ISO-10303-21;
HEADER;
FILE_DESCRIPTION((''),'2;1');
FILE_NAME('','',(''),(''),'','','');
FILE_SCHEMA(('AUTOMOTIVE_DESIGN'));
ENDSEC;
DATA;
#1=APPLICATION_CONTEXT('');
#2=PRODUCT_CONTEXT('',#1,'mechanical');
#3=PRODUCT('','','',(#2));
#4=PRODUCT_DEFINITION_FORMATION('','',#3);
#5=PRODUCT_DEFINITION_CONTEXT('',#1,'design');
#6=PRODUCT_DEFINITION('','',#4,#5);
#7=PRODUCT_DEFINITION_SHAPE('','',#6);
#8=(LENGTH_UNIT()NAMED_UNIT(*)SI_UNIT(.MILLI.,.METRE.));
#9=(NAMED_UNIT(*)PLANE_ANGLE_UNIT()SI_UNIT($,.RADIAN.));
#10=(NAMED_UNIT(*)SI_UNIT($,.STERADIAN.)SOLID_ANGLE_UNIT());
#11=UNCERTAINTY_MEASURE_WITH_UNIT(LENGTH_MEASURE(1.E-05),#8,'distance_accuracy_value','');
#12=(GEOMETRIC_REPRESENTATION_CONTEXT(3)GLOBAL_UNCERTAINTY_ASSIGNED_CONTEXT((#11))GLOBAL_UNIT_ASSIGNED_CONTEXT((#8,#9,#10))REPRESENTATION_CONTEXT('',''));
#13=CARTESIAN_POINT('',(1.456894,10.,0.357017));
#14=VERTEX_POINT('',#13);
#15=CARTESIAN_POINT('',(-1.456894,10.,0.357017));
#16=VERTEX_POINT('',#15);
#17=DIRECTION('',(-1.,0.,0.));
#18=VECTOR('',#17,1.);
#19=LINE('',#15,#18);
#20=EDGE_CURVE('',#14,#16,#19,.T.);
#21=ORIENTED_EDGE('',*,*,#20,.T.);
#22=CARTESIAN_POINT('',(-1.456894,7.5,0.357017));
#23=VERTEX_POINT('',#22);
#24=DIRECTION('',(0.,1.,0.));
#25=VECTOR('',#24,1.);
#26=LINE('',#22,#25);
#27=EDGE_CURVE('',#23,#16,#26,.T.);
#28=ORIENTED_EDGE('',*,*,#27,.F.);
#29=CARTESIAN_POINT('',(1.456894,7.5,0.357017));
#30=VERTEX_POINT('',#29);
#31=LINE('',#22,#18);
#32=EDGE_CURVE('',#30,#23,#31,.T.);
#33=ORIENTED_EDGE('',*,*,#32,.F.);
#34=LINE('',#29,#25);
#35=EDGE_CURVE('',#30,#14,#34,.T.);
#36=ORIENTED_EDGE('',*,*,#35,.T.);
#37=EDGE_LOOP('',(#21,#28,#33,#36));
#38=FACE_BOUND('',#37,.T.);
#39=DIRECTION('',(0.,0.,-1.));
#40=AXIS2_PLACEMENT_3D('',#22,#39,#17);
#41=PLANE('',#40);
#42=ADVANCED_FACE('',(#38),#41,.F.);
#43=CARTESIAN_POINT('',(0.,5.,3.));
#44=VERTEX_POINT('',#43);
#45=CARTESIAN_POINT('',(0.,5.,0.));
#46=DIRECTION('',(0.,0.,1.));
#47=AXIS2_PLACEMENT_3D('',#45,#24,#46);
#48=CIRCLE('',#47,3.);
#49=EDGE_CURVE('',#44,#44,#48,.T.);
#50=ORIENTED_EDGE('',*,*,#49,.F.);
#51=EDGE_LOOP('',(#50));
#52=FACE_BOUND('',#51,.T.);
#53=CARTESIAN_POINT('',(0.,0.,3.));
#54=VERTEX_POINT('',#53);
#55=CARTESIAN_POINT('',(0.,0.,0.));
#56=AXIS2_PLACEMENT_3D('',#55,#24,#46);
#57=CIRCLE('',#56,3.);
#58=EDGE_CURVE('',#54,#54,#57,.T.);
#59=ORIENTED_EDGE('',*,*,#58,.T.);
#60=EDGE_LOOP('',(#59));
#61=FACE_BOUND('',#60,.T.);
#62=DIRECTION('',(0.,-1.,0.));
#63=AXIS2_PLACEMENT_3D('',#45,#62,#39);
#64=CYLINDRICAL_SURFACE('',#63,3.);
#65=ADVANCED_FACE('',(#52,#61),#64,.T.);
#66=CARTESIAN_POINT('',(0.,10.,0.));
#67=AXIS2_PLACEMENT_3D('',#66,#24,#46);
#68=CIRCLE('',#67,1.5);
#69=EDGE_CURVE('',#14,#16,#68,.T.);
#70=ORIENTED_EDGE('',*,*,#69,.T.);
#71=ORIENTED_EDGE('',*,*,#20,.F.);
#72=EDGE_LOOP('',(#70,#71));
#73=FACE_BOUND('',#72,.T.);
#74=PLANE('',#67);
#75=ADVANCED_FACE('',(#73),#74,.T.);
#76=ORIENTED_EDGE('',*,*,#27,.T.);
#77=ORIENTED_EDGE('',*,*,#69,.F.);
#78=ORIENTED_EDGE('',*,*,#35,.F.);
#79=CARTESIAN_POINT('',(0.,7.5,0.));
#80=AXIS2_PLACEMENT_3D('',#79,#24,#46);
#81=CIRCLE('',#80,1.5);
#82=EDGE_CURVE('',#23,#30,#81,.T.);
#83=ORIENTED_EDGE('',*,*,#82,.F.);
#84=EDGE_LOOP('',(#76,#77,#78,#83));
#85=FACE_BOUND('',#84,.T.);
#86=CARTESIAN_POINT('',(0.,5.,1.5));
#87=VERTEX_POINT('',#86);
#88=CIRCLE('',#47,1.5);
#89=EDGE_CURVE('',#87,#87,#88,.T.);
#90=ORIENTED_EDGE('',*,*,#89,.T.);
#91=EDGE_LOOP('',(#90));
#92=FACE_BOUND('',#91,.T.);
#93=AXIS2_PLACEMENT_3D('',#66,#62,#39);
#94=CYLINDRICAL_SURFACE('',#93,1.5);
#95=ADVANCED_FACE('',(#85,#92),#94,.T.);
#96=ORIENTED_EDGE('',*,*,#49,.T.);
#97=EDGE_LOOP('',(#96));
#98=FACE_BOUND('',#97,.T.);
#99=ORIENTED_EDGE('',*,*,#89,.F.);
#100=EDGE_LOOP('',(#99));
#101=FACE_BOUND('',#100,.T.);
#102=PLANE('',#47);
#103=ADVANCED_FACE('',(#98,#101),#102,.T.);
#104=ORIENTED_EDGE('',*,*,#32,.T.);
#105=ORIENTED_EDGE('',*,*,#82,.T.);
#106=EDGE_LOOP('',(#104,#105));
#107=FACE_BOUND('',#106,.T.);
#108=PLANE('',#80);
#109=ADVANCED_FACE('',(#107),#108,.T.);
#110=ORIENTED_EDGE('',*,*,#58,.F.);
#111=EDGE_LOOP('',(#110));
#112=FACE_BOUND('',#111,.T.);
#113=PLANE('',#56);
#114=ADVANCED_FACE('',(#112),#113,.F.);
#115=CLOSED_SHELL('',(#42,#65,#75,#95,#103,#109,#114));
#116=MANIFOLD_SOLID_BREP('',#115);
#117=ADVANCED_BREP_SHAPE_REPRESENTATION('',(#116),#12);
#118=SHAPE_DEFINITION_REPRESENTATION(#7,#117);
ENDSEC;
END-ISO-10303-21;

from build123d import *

# Parameters (mm, degrees)
SKETCH2_R           = 3
BOSS_EXTRUDE1_DEPTH = 5
SKETCH3_R           = 1.5
BOSS_EXTRUDE2_DEPTH = 5
CUT_EXTRUDE1_START  = -2.5
CUT_EXTRUDE1_DEPTH  = 2.5


with BuildPart() as part:
    # Sketch2 → Boss-Extrude1 (new body)
    with BuildSketch(Plane(origin=(0, 0, 0), x_dir=(1, 0, 0), z_dir=(0, 1, 0))):
        with Locations(Location((0, 0, 0), (0, 0, 270))):
            Circle(SKETCH2_R)
    extrude(amount=BOSS_EXTRUDE1_DEPTH)

    # Sketch3 → Boss-Extrude2 (add)
    with BuildSketch(Plane(origin=(0, 5, 0), x_dir=(1, 0, 0), z_dir=(0, 1, 0))):
        with Locations(Location((0, 0, 0), (0, 0, 270))):
            Circle(SKETCH3_R)
    extrude(amount=BOSS_EXTRUDE2_DEPTH)

    # Sketch4 → Cut-Extrude1 (cut)
    with BuildSketch(Plane(origin=(0, 10, 0), x_dir=(1, 0, 0), z_dir=(0, 1, 0)).offset(CUT_EXTRUDE1_START)):
        with BuildLine():
            Line((-1.456893676, -0.357016549), (1.456893676, -0.357016549))
            ThreePointArc((1.456893676, -0.357016549), (0, -1.5), (-1.456893676, -0.357016549))
        make_face()
    extrude(amount=CUT_EXTRUDE1_DEPTH, mode=Mode.SUBTRACT)


solid = part.part
